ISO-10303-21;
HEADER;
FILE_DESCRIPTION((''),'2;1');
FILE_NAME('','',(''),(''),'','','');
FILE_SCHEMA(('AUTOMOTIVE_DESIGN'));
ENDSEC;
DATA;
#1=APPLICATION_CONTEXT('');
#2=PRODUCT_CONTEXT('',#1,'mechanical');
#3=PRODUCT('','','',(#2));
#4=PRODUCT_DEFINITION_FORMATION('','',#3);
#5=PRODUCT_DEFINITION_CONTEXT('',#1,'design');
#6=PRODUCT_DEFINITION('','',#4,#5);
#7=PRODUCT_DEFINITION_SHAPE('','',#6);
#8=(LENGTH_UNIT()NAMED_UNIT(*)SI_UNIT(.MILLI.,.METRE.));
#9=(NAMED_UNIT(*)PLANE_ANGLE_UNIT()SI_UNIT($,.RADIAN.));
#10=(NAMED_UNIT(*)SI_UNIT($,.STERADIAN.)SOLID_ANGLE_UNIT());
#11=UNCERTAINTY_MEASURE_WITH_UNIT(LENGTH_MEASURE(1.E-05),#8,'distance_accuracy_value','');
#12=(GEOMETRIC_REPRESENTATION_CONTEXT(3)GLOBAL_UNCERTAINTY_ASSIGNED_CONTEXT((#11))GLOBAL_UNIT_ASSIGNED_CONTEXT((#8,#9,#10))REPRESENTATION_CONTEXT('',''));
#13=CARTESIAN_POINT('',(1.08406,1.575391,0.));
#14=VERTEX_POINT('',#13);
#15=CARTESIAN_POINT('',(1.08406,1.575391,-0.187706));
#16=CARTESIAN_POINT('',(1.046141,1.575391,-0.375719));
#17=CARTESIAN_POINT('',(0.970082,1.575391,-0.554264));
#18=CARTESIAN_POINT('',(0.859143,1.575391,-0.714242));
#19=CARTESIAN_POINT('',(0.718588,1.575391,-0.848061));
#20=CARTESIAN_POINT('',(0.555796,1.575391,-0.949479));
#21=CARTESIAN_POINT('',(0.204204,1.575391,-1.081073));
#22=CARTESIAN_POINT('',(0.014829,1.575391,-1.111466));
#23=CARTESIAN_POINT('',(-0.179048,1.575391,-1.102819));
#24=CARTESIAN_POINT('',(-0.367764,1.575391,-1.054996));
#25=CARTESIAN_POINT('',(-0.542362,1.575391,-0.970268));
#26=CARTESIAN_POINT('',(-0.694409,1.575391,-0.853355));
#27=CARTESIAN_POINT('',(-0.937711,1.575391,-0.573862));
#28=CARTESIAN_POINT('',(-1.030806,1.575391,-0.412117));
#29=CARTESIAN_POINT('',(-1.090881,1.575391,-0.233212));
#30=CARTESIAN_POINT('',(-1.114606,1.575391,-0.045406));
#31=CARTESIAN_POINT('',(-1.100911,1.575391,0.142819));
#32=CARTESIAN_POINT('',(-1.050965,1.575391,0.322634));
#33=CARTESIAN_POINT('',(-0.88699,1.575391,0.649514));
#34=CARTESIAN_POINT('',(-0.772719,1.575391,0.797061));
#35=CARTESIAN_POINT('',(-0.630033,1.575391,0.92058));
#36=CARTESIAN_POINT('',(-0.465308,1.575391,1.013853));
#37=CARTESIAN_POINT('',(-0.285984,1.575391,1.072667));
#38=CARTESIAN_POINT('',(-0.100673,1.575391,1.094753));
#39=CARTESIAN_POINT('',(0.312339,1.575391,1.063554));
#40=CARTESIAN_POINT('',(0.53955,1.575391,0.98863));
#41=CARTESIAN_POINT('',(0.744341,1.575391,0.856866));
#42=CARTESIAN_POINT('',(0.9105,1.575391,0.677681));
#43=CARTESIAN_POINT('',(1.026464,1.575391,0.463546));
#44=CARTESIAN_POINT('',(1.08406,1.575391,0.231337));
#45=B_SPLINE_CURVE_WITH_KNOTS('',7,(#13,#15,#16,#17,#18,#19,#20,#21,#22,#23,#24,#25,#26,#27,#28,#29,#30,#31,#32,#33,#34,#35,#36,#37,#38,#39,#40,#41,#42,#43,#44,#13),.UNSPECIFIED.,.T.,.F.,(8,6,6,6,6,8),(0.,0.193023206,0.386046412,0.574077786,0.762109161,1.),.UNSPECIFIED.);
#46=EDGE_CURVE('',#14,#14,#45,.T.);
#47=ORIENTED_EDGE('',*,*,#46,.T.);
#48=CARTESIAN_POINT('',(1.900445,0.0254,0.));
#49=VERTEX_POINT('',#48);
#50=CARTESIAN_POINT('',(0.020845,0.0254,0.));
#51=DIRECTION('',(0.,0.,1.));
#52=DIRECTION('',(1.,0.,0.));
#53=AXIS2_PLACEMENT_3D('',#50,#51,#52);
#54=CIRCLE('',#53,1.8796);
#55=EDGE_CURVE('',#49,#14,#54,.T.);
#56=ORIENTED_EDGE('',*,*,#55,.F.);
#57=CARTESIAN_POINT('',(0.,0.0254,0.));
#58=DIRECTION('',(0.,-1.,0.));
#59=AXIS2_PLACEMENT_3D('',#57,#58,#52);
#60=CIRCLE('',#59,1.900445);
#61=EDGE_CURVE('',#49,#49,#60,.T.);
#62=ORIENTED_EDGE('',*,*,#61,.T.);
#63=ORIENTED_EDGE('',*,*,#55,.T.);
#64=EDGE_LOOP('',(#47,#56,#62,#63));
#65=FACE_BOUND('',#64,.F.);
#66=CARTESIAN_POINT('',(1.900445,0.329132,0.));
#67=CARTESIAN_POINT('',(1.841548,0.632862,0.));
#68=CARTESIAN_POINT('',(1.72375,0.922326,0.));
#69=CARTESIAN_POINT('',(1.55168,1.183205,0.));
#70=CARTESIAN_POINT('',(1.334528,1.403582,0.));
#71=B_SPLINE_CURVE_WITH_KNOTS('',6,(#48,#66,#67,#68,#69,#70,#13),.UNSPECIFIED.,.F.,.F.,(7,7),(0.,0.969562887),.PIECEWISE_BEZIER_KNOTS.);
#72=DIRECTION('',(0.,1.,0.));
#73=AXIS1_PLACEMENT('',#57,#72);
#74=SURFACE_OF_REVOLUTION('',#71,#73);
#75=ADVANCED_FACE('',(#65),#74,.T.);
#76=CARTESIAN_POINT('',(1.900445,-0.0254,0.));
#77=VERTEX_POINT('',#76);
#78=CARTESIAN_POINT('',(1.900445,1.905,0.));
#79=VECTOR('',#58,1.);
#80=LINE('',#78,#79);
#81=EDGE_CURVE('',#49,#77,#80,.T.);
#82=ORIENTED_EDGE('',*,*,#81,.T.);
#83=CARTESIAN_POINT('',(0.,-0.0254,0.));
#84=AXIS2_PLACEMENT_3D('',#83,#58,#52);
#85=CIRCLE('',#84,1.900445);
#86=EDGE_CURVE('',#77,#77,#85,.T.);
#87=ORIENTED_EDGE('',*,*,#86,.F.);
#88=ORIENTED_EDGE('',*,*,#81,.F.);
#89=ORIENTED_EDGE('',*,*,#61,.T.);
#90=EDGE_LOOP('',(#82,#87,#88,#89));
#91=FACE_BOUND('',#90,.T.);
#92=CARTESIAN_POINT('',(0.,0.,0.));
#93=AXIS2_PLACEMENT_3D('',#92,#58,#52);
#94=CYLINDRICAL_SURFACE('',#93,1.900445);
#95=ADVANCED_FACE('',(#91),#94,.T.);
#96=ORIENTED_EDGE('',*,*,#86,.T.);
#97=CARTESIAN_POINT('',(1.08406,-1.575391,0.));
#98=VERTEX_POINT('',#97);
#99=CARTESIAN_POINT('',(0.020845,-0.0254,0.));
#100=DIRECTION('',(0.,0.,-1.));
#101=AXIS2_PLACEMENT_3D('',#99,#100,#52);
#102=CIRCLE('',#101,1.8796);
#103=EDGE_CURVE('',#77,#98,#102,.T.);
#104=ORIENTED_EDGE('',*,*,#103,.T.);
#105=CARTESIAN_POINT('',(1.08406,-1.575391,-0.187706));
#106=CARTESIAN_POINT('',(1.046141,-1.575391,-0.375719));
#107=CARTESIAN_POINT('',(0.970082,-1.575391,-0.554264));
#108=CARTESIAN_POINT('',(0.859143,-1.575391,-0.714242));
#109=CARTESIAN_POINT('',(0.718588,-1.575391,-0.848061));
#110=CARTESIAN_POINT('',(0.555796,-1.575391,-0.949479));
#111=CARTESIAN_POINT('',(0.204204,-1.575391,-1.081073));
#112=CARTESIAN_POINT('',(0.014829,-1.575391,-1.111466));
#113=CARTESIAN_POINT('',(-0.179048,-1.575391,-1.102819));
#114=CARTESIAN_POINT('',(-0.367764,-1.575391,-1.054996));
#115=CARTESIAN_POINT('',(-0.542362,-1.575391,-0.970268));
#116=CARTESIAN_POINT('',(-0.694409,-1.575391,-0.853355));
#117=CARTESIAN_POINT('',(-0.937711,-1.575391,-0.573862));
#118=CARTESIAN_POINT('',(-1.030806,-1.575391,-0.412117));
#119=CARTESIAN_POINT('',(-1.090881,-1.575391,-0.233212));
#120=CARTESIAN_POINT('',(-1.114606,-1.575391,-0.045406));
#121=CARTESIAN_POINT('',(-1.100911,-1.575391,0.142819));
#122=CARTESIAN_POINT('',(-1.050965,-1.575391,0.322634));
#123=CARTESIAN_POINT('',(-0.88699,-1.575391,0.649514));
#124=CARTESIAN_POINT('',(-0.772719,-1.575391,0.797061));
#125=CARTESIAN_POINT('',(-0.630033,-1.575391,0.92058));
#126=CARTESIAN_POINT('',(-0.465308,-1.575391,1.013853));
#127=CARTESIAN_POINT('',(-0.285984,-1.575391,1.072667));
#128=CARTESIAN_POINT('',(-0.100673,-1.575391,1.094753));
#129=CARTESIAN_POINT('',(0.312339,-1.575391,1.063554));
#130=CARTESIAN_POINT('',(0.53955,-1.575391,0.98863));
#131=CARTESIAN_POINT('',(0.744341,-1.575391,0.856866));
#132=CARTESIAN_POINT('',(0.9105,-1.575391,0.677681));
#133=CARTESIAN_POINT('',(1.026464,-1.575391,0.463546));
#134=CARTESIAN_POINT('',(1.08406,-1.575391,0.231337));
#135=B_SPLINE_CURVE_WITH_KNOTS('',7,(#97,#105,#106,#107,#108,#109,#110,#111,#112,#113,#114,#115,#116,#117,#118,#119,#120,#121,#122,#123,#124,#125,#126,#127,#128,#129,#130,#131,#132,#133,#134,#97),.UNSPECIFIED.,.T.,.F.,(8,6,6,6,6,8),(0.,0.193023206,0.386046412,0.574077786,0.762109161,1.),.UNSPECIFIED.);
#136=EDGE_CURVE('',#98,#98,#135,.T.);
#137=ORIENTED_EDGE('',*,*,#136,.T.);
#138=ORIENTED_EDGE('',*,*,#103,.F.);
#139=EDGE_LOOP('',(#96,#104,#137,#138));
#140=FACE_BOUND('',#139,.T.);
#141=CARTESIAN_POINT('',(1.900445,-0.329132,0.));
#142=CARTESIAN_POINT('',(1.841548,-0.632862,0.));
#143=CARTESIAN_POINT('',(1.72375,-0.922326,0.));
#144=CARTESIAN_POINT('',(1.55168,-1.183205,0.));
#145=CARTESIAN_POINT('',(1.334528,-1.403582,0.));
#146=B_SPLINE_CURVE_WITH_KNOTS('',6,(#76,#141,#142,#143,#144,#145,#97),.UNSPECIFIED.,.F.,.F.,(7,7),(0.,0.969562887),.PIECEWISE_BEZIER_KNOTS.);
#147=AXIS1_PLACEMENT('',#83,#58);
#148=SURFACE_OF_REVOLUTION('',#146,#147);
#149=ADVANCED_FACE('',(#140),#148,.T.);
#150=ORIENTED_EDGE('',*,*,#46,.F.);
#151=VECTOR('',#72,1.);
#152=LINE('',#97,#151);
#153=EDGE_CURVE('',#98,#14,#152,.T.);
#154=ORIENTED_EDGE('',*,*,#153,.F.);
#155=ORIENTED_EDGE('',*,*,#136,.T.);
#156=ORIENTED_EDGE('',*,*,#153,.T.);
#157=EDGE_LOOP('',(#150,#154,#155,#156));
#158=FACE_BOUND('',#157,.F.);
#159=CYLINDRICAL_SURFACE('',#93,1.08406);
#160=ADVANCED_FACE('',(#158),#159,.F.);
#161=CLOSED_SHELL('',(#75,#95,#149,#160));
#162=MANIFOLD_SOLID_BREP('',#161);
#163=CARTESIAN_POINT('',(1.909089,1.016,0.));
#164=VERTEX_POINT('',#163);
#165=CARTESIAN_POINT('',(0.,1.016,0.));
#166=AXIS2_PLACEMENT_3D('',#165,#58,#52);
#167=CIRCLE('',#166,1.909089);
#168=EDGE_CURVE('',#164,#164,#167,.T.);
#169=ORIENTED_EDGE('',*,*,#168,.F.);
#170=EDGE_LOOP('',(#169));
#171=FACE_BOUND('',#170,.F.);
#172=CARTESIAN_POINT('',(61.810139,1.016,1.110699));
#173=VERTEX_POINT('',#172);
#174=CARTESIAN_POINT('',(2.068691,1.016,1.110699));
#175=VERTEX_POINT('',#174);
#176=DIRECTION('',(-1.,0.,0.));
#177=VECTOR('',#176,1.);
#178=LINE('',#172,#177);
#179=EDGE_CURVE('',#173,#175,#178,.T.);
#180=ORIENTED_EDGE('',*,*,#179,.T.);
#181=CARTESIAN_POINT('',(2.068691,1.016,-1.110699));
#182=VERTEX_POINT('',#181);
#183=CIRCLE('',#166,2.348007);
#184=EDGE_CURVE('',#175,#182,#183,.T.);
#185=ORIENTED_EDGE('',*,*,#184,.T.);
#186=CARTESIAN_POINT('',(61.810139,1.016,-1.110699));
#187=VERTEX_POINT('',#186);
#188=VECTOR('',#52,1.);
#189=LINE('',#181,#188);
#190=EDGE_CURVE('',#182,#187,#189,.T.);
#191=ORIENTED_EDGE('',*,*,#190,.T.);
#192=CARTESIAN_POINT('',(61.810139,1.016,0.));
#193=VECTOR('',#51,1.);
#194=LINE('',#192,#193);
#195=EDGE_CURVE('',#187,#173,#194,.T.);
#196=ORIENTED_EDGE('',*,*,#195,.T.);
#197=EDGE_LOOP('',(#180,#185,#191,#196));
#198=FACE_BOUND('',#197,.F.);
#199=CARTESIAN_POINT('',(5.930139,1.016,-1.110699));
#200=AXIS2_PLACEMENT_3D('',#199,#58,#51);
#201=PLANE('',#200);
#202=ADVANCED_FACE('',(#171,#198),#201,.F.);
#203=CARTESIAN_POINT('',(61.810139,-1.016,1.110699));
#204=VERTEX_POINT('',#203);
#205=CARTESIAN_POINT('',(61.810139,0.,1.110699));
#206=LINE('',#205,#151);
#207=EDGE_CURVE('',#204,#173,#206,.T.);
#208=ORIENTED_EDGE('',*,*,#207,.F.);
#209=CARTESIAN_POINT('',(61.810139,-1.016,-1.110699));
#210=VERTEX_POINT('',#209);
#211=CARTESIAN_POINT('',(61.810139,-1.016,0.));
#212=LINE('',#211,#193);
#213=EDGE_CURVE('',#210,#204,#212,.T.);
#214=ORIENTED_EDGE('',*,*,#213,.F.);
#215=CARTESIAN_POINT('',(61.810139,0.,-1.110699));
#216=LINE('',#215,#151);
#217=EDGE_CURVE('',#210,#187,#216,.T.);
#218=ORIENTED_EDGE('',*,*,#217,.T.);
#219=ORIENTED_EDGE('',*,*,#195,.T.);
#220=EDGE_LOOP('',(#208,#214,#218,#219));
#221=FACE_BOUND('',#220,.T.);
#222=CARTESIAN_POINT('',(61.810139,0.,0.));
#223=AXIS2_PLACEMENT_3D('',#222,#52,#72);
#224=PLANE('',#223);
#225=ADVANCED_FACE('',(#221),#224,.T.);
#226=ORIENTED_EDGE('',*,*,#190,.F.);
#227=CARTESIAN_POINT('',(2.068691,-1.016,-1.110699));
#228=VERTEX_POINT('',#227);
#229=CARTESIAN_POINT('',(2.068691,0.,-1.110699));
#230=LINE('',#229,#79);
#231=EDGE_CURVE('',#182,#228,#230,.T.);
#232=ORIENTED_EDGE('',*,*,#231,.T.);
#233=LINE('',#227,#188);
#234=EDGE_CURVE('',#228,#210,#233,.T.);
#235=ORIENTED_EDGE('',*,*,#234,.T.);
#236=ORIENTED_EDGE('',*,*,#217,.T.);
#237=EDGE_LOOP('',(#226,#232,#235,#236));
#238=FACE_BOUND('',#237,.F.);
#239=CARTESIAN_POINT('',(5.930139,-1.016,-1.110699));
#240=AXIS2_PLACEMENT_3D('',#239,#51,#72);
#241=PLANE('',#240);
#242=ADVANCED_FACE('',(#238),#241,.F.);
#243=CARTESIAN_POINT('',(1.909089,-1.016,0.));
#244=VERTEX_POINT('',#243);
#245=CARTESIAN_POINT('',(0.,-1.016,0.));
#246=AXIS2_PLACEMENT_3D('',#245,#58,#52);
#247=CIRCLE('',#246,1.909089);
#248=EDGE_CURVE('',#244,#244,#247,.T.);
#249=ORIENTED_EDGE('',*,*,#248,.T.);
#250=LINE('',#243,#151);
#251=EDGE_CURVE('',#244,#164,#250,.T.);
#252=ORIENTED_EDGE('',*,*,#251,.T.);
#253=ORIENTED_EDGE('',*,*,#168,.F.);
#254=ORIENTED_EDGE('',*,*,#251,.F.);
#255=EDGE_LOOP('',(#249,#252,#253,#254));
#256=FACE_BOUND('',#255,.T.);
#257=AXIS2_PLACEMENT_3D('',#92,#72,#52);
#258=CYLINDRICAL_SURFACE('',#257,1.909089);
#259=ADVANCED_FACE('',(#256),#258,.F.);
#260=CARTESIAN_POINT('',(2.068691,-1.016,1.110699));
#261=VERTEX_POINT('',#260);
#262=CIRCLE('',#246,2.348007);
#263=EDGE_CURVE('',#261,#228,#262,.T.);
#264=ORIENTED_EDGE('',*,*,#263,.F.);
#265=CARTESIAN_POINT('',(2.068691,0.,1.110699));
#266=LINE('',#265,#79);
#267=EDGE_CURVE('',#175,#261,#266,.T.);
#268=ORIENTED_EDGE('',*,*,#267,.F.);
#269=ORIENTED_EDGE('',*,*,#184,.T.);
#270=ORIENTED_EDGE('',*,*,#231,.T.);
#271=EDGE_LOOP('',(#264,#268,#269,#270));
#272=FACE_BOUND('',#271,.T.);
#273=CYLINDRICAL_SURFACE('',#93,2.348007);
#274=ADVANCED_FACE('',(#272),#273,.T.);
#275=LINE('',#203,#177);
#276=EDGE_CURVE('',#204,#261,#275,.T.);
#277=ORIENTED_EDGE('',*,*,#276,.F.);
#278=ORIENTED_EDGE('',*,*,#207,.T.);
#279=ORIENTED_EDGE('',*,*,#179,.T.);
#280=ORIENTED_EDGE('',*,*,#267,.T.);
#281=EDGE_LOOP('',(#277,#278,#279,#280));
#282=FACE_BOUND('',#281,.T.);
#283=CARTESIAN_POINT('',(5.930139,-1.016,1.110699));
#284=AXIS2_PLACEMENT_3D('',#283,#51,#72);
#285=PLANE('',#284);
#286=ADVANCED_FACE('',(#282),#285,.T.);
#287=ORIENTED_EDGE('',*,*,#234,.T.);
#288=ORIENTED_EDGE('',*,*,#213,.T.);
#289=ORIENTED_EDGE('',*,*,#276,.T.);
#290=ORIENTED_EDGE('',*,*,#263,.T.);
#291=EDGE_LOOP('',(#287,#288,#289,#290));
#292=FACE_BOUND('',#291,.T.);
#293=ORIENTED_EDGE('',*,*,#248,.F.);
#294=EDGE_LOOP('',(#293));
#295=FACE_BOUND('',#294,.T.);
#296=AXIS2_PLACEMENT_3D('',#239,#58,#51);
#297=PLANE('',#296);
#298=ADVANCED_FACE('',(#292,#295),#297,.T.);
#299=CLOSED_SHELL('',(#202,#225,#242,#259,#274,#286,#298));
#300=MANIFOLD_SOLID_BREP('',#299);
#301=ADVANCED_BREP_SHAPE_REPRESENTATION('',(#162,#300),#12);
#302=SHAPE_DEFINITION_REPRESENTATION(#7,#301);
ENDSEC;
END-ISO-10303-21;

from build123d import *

# Parameters (mm, degrees)
F0_R          = 1.9004449212
F1_DEPTH      = 1.905
F1_DEPTH_BACK = 1.905
F2_R          = 1.8796
F3_R          = 1.0840595421
F4_DEPTH      = 1.905
F4_DEPTH_BACK = 1.905
F5_R          = 2.348007006
F5_R_2        = 1.9090894229
F6_DEPTH      = 1.016
F6_DEPTH_BACK = 1.016
F8_DEPTH      = 2.032
F9_W          = 2.032
F9_H          = 2.221398754
F10_DEPTH     = 55.88


with BuildPart() as f1:
    # F0 (on Front) → F1 (new body, two sides)
    with BuildSketch(Plane.XZ) as f1_sk:
        Circle(F0_R)
    extrude(amount=F1_DEPTH)
    extrude(f1_sk.sketch, amount=-F1_DEPTH_BACK)

    # F2
    f2_edges = [f1.edges().sort_by_distance(p)[0] for p in [
        (-1.900445, -1.905, 0),
        (-1.900445, 1.905, 0),
    ]]
    fillet(f2_edges, radius=F2_R)

    # F3 (on Front) → F4 (cut, two sides)
    with BuildSketch(Plane.XZ) as f4_sk:
        Circle(F3_R)
    extrude(amount=-F4_DEPTH, mode=Mode.SUBTRACT)
    extrude(f4_sk.sketch, amount=F4_DEPTH_BACK, mode=Mode.SUBTRACT)


with BuildPart() as f6:
    # F5 (on Front) → F6 (new body, two sides)
    with BuildSketch(Plane.XZ) as f6_sk:
        Circle(F5_R)
        Circle(F5_R_2, mode=Mode.SUBTRACT)
    extrude(amount=F6_DEPTH)
    extrude(f6_sk.sketch, amount=-F6_DEPTH_BACK)

    # F7 (on face) → F8 (join)
    with BuildSketch(Plane.XZ.offset(1.016)):
        with BuildLine():
            Line((2.068691324, -1.110699377), (5.9301392175, -1.110699377))
            Line((5.9301392175, -1.110699377), (5.9301392175, 1.110699377))
            Line((5.9301392175, 1.110699377), (2.068691324, 1.110699377))
            ThreePointArc((2.068691324, 1.110699377), (2.2771076635, 0.5726408902), (2.348007006, 0))
            ThreePointArc((2.348007006, 0), (2.2771076635, -0.5726408902), (2.068691324, -1.110699377))
        make_face()
        with BuildLine():
            Line((2.0119971596, -1.110699377), (2.068691324, -1.110699377))
            ThreePointArc((2.068691324, -1.110699377), (2.2771076635, -0.5726408902), (2.348007006, 0))
            ThreePointArc((2.348007006, 0), (2.2771076635, 0.5726408902), (2.068691324, 1.110699377))
            Line((2.068691324, 1.110699377), (2.0119971596, 1.110699377))
            Line((2.0119971596, 1.110699377), (2.0119971596, -1.110699377))
        make_face()
    extrude(amount=-F8_DEPTH)

    # F9 (on face) → F10 (join)
    with BuildSketch(Plane.YZ.offset(5.9301392175)):
        Rectangle(F9_W, F9_H)
    extrude(amount=F10_DEPTH)


solid = Compound([f1.part, f6.part])
